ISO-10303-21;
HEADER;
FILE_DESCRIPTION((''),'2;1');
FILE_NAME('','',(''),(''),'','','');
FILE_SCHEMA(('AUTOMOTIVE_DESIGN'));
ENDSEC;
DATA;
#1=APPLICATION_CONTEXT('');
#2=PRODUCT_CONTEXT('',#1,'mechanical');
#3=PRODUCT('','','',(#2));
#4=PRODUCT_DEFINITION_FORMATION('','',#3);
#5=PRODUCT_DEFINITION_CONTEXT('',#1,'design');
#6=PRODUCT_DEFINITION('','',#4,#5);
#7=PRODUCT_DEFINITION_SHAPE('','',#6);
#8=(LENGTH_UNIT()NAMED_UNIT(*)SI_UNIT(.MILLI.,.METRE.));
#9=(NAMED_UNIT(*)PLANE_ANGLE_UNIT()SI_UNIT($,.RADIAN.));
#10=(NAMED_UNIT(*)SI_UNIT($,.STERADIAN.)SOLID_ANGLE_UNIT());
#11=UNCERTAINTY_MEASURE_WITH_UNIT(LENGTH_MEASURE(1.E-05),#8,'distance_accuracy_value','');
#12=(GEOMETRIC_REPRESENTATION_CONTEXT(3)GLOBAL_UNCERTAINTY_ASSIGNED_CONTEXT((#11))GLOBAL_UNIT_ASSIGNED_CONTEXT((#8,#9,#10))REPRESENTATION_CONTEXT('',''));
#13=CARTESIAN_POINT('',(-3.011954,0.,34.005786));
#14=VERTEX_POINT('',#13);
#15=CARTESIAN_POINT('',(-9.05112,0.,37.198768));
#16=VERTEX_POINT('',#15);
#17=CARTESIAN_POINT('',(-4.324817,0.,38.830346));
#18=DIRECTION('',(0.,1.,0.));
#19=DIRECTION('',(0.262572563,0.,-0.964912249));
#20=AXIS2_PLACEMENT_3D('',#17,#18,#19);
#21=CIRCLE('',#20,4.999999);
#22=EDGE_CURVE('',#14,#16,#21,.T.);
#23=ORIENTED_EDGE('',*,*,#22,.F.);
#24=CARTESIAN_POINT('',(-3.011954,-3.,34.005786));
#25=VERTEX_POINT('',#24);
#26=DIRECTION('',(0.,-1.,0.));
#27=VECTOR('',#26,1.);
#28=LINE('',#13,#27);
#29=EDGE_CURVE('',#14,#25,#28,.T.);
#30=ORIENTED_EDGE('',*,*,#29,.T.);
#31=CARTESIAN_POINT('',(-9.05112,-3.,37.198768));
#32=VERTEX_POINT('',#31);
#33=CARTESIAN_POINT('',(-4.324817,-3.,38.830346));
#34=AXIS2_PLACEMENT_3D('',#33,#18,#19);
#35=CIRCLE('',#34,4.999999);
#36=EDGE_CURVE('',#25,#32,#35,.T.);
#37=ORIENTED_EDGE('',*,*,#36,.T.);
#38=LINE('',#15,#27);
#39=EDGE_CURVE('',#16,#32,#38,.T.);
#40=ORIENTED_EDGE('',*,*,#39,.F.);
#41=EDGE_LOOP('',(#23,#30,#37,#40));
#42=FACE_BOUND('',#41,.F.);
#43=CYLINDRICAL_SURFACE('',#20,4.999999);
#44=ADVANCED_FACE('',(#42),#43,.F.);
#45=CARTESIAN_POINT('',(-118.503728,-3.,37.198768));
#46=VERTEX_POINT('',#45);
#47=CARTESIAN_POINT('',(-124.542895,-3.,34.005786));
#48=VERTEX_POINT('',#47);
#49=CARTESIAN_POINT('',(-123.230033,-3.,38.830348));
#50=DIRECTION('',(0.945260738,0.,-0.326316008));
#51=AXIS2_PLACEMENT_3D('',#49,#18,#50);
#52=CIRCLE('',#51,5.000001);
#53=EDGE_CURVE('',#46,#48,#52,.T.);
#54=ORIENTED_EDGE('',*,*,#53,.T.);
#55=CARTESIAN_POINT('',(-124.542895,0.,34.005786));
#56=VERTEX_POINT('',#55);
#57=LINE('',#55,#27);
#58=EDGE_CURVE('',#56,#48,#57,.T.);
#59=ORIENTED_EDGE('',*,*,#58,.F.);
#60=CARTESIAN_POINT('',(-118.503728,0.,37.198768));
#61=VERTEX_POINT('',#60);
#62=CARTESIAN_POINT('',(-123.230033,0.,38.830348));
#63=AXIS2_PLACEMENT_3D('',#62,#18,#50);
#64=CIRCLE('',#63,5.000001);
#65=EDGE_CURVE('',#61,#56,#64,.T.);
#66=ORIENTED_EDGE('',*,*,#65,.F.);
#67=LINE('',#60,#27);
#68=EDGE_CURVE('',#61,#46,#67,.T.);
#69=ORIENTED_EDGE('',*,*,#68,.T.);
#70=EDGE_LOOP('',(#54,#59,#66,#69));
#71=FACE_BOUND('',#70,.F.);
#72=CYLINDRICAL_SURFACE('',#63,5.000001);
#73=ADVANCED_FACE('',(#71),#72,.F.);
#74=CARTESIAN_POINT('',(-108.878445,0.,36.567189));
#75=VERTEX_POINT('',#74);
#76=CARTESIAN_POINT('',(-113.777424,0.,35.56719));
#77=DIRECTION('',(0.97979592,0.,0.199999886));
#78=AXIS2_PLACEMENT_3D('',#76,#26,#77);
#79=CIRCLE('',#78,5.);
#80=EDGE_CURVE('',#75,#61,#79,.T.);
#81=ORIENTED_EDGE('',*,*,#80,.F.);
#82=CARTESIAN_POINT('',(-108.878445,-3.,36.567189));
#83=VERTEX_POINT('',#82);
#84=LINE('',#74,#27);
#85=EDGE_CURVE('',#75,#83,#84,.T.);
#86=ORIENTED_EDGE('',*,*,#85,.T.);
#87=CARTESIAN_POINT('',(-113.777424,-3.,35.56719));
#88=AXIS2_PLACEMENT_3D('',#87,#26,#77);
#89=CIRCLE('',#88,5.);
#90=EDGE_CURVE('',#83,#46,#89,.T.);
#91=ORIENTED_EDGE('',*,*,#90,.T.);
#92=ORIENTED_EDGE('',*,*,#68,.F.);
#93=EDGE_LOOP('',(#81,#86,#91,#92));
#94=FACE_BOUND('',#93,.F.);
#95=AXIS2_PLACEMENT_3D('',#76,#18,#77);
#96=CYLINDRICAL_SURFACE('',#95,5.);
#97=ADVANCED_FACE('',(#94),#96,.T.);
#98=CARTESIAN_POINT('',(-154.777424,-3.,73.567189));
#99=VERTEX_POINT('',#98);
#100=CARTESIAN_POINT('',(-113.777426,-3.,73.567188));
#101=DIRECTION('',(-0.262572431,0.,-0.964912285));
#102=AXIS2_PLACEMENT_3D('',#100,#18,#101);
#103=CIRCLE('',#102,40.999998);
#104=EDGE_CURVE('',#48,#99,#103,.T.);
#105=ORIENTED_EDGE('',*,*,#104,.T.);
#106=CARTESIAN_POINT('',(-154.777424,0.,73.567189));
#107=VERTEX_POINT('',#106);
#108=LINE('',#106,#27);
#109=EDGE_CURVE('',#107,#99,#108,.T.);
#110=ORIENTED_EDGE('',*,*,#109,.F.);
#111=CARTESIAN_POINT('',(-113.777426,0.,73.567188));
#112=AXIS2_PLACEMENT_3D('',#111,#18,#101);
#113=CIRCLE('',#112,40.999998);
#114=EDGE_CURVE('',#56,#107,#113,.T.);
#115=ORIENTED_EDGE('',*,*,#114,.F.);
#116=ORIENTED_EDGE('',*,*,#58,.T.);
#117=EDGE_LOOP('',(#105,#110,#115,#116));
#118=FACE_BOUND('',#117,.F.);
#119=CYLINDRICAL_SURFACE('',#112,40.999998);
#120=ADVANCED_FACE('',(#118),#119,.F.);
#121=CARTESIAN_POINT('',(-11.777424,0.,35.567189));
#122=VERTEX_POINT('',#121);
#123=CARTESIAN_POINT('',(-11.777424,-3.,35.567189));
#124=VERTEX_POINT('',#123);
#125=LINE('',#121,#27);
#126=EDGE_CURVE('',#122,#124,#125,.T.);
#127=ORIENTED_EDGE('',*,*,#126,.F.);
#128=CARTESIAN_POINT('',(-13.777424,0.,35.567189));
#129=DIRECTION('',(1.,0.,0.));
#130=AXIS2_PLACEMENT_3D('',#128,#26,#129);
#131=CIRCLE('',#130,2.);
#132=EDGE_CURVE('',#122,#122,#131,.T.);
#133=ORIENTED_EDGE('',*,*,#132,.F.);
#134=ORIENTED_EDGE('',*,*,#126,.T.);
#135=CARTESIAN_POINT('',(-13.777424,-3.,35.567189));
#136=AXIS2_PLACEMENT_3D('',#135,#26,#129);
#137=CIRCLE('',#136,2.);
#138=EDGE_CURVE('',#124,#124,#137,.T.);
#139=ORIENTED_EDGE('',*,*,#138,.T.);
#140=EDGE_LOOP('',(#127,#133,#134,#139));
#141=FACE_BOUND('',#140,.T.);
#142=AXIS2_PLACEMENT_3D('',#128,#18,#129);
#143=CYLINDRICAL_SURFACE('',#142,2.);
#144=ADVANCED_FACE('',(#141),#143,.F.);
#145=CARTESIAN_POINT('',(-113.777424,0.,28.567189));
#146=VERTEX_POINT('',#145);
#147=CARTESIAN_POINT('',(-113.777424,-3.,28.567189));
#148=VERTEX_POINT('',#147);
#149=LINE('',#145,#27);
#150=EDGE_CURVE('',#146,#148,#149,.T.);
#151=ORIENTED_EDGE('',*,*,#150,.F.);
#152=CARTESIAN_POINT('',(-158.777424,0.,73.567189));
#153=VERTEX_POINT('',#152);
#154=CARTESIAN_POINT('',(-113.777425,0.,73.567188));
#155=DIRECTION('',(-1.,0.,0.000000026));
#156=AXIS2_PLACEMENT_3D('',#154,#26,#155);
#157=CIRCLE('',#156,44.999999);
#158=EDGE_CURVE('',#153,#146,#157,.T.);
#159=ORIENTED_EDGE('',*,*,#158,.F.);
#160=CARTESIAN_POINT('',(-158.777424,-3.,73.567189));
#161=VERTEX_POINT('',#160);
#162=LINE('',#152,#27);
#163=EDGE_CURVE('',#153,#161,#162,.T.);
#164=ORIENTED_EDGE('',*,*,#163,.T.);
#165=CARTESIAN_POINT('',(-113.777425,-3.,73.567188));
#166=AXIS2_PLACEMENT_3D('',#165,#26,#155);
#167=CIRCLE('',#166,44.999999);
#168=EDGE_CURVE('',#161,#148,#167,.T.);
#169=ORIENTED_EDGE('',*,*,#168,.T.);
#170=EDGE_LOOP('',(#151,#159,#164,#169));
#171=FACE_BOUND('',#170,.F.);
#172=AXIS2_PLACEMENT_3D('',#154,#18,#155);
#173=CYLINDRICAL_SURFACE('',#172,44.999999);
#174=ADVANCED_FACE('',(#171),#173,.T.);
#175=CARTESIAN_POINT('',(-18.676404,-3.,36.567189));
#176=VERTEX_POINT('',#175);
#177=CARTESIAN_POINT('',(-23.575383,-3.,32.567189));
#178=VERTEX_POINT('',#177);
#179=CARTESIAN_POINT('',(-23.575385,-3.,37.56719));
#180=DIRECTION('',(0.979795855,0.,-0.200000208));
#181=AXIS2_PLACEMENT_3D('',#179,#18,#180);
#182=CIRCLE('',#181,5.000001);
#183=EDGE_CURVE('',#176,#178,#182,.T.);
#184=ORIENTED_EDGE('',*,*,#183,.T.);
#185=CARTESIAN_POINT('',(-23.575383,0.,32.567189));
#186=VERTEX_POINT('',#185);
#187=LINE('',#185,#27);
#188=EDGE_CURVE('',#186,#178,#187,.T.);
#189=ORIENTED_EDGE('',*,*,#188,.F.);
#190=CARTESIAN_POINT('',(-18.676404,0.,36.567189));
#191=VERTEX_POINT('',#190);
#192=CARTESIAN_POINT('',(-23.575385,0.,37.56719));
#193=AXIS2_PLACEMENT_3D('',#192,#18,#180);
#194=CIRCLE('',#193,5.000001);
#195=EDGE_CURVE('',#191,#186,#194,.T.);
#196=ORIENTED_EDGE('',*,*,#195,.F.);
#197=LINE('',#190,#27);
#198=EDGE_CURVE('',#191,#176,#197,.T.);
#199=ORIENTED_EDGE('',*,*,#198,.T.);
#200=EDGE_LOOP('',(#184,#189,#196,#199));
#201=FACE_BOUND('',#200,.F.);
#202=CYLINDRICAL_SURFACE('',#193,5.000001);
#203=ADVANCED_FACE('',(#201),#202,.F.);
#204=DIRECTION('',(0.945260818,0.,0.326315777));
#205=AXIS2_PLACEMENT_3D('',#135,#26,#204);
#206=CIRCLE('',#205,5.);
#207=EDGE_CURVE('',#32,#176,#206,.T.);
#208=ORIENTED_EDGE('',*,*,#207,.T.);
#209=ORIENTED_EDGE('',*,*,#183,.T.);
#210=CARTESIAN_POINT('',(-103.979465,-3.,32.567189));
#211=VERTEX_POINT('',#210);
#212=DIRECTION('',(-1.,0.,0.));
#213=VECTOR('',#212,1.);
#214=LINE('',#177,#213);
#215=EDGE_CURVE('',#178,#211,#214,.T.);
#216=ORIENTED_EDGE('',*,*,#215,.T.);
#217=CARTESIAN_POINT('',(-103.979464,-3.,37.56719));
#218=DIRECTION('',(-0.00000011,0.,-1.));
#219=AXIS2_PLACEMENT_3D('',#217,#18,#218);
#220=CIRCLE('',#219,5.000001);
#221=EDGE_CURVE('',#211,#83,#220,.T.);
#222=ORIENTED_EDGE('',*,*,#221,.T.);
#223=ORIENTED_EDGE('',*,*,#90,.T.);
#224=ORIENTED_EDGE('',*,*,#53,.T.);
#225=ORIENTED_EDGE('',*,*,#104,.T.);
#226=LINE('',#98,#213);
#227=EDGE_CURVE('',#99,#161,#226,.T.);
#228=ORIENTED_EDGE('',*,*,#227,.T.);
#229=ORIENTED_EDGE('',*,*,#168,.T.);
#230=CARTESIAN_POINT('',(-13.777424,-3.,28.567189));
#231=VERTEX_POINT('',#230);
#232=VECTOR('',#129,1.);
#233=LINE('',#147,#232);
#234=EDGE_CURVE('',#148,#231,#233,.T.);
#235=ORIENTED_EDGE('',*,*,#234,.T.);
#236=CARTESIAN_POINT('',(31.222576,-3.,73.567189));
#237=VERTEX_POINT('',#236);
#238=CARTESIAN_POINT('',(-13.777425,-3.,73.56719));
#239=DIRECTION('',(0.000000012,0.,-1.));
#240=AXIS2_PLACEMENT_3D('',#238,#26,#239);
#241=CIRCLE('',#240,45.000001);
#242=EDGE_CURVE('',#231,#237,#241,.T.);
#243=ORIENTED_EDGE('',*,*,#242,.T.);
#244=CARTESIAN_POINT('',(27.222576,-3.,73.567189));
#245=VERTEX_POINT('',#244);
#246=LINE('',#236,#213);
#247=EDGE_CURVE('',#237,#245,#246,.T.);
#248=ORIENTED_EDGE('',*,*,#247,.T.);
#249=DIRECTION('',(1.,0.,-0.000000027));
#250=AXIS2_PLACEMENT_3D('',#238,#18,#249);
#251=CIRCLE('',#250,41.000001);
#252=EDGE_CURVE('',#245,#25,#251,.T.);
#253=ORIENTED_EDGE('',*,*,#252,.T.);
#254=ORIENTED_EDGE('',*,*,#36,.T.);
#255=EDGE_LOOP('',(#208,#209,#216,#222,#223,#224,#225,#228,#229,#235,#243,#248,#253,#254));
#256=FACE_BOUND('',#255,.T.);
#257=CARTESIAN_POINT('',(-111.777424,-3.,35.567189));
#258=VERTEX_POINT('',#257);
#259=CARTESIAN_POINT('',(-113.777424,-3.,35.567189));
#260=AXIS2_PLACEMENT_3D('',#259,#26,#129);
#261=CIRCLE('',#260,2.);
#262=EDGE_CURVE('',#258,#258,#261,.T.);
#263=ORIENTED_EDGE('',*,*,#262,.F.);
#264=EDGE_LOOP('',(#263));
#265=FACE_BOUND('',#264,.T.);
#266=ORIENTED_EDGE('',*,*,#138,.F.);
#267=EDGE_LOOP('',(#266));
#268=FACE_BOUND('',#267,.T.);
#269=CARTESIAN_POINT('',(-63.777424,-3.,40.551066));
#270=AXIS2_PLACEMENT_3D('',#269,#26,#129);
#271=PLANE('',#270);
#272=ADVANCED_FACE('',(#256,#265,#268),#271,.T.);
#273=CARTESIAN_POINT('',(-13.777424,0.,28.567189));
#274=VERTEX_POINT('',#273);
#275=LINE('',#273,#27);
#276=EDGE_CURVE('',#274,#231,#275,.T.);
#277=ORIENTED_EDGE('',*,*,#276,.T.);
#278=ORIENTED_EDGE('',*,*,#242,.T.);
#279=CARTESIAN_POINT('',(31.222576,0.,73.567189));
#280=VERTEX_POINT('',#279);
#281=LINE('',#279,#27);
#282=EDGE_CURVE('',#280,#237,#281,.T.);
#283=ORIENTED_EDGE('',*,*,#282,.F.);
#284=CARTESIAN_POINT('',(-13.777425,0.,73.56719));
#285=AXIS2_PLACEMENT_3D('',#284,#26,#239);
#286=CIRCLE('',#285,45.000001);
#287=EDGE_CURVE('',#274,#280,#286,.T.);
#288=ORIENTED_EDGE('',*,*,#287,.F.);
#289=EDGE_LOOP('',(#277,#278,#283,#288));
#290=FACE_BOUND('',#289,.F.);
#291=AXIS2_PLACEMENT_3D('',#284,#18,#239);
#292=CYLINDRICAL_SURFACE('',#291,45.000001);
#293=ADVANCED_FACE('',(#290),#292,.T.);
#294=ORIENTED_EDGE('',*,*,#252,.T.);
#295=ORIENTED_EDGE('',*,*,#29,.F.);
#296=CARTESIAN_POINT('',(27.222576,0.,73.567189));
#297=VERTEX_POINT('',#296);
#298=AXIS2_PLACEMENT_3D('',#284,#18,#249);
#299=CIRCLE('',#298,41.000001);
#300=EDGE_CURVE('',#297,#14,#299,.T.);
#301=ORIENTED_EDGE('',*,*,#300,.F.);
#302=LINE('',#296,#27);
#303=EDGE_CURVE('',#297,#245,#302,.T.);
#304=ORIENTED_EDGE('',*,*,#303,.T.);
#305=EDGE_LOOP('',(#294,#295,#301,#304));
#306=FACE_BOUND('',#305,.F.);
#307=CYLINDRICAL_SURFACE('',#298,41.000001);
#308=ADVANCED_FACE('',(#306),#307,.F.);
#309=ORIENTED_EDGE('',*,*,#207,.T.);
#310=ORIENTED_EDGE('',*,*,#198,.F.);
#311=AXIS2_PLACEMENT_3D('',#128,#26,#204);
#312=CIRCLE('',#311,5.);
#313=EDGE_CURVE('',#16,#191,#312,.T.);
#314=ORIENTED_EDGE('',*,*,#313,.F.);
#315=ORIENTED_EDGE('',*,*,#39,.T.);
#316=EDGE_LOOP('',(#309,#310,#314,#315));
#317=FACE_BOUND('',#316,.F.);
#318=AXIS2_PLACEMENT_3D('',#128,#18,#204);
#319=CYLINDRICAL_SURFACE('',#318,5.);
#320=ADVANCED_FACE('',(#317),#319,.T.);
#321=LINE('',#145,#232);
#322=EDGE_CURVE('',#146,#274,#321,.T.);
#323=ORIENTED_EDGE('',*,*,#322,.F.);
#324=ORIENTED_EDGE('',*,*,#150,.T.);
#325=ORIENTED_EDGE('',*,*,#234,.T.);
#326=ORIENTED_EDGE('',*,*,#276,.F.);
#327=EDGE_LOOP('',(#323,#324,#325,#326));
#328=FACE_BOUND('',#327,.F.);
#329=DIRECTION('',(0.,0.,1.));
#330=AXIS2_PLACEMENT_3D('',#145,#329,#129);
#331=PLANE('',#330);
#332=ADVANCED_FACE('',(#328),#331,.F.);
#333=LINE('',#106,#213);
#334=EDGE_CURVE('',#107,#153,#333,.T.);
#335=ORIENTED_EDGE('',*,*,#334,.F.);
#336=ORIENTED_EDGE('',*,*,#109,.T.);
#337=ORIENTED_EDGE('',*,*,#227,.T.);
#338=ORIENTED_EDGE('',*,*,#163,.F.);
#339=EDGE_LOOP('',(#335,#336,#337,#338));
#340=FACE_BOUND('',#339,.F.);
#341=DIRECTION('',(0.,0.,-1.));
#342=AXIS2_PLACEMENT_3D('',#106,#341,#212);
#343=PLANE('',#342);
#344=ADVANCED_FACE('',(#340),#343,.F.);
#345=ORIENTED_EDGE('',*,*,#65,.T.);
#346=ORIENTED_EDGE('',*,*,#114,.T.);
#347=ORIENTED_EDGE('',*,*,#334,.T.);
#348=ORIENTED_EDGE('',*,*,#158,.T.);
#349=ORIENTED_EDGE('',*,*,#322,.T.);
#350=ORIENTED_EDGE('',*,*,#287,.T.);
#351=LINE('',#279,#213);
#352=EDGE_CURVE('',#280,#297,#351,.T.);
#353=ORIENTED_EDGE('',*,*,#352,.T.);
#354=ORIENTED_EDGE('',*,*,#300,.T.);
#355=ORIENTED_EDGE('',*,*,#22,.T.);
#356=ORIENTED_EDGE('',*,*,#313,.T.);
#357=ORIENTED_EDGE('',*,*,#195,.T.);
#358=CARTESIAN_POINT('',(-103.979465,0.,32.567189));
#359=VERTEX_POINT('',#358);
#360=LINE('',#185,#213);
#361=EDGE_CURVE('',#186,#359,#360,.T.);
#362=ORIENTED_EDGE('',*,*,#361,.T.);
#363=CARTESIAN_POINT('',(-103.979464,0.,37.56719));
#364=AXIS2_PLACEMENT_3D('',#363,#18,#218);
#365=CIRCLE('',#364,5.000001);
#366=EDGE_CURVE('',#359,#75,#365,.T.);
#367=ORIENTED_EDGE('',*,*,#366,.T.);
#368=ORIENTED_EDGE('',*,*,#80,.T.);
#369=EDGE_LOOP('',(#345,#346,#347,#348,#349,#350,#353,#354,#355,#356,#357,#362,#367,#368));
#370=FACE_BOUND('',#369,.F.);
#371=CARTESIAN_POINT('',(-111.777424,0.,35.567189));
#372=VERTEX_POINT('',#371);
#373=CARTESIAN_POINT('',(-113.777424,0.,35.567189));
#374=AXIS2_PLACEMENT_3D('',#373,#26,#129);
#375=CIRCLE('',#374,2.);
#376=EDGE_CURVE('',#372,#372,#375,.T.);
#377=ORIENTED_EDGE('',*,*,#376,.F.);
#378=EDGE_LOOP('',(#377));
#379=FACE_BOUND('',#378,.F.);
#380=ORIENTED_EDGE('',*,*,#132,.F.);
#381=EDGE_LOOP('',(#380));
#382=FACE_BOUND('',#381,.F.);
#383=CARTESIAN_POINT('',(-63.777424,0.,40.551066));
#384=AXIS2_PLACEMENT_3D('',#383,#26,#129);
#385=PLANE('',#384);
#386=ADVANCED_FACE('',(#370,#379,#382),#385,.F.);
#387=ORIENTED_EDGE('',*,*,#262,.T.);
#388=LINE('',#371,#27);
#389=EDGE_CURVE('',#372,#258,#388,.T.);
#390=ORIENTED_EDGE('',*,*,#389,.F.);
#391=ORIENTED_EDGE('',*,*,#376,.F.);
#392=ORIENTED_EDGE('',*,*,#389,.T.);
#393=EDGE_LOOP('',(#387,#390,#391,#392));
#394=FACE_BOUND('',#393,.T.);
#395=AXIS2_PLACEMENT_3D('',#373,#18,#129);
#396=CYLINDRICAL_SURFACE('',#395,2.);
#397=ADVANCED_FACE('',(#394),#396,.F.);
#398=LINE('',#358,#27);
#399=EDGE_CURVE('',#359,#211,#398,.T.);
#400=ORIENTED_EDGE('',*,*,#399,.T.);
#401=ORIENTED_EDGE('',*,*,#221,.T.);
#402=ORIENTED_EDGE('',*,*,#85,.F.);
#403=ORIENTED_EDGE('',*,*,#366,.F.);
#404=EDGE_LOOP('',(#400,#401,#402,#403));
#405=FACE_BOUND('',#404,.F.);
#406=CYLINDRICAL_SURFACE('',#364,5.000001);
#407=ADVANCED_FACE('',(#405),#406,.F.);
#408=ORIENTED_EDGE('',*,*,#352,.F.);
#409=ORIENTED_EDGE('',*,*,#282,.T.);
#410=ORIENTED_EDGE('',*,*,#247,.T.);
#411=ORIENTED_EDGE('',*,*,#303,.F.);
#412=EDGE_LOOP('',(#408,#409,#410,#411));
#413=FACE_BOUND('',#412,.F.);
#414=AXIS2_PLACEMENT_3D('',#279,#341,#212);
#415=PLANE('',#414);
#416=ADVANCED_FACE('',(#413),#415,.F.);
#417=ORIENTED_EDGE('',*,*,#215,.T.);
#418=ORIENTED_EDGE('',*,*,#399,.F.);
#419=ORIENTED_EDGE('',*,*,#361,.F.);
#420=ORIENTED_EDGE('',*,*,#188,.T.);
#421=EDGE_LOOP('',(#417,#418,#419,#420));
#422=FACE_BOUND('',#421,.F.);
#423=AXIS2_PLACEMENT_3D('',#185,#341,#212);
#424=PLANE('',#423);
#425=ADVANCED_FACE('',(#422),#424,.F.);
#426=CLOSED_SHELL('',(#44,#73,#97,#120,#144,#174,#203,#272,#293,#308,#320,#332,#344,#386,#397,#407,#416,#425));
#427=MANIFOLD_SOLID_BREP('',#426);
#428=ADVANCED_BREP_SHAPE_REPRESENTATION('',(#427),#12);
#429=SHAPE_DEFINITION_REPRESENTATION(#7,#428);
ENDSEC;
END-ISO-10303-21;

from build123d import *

# Parameters (mm, degrees)
F0_R     = 2
F1_DEPTH = 3


with BuildPart() as f1:
    # F0 (on Front) → F1 (new body)
    with BuildSketch(Plane.XZ):
        with BuildLine():
            Line((-154.777424, 73.567189), (-158.777424, 73.567189))
            ThreePointArc((-158.777424, 73.567189), (-145.59723, 41.747384), (-113.777424, 28.567189))
            Line((-113.777424, 28.567189), (-13.777424, 28.567189))
            ThreePointArc((-13.777424, 28.567189), (18.042381, 41.747384), (31.222576, 73.567189))
            Line((31.222576, 73.567189), (27.222576, 73.567189))
            ThreePointArc((27.222576, 73.567189), (18.79852, 48.671249), (-3.011954, 34.005786))
            ThreePointArc((-3.011954, 34.005786), (-6.66184, 34.41013), (-9.05112, 37.198768))
            ThreePointArc((-9.05112, 37.198768), (-14.104804, 40.55646), (-18.676404, 36.567189))
            ThreePointArc((-18.676404, 36.567189), (-20.413106, 33.694206), (-23.575383, 32.567189))
            Line((-23.575383, 32.567189), (-103.979465, 32.567189))
            ThreePointArc((-103.979465, 32.567189), (-107.141743, 33.694206), (-108.878445, 36.567189))
            ThreePointArc((-108.878445, 36.567189), (-113.450045, 40.55646), (-118.503728, 37.198768))
            ThreePointArc((-118.503728, 37.198768), (-120.893009, 34.41013), (-124.542895, 34.005786))
            ThreePointArc((-124.542895, 34.005786), (-146.353369, 48.671249), (-154.777424, 73.567189))
        make_face()
        with Locations((-113.777424, 35.567189)):
            Circle(F0_R, mode=Mode.SUBTRACT)
        with Locations((-13.777424, 35.567189)):
            Circle(F0_R, mode=Mode.SUBTRACT)
    extrude(amount=F1_DEPTH)


solid = f1.part
